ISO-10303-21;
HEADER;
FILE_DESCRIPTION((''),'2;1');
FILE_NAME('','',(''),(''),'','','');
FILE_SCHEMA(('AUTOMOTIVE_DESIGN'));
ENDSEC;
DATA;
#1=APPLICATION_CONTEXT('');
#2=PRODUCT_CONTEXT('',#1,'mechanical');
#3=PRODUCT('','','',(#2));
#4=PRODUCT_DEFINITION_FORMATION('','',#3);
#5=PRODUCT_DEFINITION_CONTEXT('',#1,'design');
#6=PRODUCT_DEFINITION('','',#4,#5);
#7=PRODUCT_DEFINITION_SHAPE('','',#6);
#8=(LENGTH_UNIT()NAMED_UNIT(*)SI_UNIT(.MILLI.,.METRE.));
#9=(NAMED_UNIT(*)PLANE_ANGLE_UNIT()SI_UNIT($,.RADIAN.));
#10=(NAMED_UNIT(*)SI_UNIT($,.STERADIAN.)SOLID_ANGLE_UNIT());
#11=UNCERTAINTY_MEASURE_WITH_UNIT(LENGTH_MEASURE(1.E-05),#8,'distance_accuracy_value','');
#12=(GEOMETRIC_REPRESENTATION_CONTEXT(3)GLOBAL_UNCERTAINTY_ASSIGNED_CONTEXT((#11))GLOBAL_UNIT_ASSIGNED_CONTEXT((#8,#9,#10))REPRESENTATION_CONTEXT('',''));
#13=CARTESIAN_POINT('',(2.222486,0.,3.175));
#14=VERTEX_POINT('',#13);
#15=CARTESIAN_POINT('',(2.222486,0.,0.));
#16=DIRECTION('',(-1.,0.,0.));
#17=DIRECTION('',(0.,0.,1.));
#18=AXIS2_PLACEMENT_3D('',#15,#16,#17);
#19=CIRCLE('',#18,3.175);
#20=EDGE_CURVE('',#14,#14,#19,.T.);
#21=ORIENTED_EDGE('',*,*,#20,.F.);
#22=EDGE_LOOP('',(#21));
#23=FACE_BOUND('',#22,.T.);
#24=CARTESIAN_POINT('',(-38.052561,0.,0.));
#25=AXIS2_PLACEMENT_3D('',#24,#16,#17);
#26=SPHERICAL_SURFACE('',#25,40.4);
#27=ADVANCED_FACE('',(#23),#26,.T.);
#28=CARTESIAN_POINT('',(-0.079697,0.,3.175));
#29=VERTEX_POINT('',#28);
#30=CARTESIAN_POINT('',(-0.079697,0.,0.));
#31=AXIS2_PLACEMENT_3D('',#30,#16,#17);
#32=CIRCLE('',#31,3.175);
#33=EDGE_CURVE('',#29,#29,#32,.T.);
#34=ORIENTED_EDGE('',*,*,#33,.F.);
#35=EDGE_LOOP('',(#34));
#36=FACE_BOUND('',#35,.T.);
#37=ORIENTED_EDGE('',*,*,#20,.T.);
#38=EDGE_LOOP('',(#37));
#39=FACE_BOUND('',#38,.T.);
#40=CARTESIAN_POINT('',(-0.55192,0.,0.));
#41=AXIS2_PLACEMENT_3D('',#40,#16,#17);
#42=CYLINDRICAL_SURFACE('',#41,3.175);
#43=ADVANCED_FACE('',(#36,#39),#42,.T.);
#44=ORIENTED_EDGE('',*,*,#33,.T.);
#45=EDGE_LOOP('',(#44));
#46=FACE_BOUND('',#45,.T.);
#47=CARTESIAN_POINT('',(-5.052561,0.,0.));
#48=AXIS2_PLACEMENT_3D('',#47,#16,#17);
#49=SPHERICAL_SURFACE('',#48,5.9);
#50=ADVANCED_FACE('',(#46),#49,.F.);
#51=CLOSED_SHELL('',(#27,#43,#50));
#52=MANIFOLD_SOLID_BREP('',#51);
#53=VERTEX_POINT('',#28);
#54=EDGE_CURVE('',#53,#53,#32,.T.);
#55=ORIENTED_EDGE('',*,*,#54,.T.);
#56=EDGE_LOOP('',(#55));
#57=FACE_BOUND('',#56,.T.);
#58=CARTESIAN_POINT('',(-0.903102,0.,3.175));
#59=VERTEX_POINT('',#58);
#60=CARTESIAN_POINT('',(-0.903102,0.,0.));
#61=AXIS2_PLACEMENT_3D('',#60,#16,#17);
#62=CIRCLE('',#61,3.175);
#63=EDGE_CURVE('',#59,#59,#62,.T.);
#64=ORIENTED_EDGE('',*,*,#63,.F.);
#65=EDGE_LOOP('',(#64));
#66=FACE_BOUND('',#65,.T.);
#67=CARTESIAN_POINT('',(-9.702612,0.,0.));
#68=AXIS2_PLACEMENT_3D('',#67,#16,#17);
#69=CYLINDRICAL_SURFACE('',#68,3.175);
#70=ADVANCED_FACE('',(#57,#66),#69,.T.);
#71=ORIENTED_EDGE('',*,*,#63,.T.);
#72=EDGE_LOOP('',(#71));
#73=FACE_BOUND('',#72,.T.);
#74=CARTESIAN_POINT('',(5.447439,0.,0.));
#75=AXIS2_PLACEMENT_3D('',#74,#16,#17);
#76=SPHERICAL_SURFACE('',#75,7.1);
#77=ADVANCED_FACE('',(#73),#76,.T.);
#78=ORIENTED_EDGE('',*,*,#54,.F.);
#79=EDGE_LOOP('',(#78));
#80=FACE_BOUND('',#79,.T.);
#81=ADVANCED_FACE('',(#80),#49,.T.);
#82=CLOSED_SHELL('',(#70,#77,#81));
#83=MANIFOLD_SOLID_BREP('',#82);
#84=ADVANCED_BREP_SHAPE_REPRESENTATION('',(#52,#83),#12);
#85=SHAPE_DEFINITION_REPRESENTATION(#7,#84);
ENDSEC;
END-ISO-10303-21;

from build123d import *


with BuildPart() as part:
    # 草图1 one side → 旋转1 (revolve)
    with BuildSketch(Plane(origin=(0, 0, 0), x_dir=(1, 0, 0), z_dir=(0, 1, 0)), mode=Mode.PRIVATE) as revolve_1_sk:
        with BuildLine():
            ThreePointArc((-0.903101889, 3.175), (-1.462656208, 1.631127932), (-1.652560574, 0))
            Line((-1.652560574, 0), (0.847439426, 0))
            ThreePointArc((0.847439426, 0), (0.610914366, 1.653799143), (-0.079696711, 3.175))
            Line((-0.079696711, 3.175), (-0.903101889, 3.175))
        make_face()
    revolve(revolve_1_sk.sketch.rotate(Axis((-9.702612178, 0, 0), (1, 0, 0)), 180), axis=Axis((-9.702612178, 0, 0), (1, 0, 0)))  # turned: the seam where the file's is


with BuildPart() as body_2:
    # 草图2 one side → 旋转3 (revolve)
    with BuildSketch(Plane(origin=(0, 0, 0), x_dir=(1, 0, 0), z_dir=(0, 1, 0)), mode=Mode.PRIVATE) as revolve_3_sk:
        with BuildLine():
            Line((2.222485981, 3.175), (-0.079696711, 3.175))
            ThreePointArc((-0.079696711, 3.175), (0.610914366, 1.653799143), (0.847439426, 0))
            Line((0.847439426, 0), (2.347439426, 0))
            ThreePointArc((2.347439426, 0), (2.316188978, 1.588728923), (2.222485981, 3.175))
        make_face()
    revolve(revolve_3_sk.sketch.rotate(Axis((-0.551919993, 0, 0), (1, 0, 0)), 180), axis=Axis((-0.551919993, 0, 0), (1, 0, 0)))  # turned: the seam where the file's is


solid = Compound([part.part, body_2.part])
